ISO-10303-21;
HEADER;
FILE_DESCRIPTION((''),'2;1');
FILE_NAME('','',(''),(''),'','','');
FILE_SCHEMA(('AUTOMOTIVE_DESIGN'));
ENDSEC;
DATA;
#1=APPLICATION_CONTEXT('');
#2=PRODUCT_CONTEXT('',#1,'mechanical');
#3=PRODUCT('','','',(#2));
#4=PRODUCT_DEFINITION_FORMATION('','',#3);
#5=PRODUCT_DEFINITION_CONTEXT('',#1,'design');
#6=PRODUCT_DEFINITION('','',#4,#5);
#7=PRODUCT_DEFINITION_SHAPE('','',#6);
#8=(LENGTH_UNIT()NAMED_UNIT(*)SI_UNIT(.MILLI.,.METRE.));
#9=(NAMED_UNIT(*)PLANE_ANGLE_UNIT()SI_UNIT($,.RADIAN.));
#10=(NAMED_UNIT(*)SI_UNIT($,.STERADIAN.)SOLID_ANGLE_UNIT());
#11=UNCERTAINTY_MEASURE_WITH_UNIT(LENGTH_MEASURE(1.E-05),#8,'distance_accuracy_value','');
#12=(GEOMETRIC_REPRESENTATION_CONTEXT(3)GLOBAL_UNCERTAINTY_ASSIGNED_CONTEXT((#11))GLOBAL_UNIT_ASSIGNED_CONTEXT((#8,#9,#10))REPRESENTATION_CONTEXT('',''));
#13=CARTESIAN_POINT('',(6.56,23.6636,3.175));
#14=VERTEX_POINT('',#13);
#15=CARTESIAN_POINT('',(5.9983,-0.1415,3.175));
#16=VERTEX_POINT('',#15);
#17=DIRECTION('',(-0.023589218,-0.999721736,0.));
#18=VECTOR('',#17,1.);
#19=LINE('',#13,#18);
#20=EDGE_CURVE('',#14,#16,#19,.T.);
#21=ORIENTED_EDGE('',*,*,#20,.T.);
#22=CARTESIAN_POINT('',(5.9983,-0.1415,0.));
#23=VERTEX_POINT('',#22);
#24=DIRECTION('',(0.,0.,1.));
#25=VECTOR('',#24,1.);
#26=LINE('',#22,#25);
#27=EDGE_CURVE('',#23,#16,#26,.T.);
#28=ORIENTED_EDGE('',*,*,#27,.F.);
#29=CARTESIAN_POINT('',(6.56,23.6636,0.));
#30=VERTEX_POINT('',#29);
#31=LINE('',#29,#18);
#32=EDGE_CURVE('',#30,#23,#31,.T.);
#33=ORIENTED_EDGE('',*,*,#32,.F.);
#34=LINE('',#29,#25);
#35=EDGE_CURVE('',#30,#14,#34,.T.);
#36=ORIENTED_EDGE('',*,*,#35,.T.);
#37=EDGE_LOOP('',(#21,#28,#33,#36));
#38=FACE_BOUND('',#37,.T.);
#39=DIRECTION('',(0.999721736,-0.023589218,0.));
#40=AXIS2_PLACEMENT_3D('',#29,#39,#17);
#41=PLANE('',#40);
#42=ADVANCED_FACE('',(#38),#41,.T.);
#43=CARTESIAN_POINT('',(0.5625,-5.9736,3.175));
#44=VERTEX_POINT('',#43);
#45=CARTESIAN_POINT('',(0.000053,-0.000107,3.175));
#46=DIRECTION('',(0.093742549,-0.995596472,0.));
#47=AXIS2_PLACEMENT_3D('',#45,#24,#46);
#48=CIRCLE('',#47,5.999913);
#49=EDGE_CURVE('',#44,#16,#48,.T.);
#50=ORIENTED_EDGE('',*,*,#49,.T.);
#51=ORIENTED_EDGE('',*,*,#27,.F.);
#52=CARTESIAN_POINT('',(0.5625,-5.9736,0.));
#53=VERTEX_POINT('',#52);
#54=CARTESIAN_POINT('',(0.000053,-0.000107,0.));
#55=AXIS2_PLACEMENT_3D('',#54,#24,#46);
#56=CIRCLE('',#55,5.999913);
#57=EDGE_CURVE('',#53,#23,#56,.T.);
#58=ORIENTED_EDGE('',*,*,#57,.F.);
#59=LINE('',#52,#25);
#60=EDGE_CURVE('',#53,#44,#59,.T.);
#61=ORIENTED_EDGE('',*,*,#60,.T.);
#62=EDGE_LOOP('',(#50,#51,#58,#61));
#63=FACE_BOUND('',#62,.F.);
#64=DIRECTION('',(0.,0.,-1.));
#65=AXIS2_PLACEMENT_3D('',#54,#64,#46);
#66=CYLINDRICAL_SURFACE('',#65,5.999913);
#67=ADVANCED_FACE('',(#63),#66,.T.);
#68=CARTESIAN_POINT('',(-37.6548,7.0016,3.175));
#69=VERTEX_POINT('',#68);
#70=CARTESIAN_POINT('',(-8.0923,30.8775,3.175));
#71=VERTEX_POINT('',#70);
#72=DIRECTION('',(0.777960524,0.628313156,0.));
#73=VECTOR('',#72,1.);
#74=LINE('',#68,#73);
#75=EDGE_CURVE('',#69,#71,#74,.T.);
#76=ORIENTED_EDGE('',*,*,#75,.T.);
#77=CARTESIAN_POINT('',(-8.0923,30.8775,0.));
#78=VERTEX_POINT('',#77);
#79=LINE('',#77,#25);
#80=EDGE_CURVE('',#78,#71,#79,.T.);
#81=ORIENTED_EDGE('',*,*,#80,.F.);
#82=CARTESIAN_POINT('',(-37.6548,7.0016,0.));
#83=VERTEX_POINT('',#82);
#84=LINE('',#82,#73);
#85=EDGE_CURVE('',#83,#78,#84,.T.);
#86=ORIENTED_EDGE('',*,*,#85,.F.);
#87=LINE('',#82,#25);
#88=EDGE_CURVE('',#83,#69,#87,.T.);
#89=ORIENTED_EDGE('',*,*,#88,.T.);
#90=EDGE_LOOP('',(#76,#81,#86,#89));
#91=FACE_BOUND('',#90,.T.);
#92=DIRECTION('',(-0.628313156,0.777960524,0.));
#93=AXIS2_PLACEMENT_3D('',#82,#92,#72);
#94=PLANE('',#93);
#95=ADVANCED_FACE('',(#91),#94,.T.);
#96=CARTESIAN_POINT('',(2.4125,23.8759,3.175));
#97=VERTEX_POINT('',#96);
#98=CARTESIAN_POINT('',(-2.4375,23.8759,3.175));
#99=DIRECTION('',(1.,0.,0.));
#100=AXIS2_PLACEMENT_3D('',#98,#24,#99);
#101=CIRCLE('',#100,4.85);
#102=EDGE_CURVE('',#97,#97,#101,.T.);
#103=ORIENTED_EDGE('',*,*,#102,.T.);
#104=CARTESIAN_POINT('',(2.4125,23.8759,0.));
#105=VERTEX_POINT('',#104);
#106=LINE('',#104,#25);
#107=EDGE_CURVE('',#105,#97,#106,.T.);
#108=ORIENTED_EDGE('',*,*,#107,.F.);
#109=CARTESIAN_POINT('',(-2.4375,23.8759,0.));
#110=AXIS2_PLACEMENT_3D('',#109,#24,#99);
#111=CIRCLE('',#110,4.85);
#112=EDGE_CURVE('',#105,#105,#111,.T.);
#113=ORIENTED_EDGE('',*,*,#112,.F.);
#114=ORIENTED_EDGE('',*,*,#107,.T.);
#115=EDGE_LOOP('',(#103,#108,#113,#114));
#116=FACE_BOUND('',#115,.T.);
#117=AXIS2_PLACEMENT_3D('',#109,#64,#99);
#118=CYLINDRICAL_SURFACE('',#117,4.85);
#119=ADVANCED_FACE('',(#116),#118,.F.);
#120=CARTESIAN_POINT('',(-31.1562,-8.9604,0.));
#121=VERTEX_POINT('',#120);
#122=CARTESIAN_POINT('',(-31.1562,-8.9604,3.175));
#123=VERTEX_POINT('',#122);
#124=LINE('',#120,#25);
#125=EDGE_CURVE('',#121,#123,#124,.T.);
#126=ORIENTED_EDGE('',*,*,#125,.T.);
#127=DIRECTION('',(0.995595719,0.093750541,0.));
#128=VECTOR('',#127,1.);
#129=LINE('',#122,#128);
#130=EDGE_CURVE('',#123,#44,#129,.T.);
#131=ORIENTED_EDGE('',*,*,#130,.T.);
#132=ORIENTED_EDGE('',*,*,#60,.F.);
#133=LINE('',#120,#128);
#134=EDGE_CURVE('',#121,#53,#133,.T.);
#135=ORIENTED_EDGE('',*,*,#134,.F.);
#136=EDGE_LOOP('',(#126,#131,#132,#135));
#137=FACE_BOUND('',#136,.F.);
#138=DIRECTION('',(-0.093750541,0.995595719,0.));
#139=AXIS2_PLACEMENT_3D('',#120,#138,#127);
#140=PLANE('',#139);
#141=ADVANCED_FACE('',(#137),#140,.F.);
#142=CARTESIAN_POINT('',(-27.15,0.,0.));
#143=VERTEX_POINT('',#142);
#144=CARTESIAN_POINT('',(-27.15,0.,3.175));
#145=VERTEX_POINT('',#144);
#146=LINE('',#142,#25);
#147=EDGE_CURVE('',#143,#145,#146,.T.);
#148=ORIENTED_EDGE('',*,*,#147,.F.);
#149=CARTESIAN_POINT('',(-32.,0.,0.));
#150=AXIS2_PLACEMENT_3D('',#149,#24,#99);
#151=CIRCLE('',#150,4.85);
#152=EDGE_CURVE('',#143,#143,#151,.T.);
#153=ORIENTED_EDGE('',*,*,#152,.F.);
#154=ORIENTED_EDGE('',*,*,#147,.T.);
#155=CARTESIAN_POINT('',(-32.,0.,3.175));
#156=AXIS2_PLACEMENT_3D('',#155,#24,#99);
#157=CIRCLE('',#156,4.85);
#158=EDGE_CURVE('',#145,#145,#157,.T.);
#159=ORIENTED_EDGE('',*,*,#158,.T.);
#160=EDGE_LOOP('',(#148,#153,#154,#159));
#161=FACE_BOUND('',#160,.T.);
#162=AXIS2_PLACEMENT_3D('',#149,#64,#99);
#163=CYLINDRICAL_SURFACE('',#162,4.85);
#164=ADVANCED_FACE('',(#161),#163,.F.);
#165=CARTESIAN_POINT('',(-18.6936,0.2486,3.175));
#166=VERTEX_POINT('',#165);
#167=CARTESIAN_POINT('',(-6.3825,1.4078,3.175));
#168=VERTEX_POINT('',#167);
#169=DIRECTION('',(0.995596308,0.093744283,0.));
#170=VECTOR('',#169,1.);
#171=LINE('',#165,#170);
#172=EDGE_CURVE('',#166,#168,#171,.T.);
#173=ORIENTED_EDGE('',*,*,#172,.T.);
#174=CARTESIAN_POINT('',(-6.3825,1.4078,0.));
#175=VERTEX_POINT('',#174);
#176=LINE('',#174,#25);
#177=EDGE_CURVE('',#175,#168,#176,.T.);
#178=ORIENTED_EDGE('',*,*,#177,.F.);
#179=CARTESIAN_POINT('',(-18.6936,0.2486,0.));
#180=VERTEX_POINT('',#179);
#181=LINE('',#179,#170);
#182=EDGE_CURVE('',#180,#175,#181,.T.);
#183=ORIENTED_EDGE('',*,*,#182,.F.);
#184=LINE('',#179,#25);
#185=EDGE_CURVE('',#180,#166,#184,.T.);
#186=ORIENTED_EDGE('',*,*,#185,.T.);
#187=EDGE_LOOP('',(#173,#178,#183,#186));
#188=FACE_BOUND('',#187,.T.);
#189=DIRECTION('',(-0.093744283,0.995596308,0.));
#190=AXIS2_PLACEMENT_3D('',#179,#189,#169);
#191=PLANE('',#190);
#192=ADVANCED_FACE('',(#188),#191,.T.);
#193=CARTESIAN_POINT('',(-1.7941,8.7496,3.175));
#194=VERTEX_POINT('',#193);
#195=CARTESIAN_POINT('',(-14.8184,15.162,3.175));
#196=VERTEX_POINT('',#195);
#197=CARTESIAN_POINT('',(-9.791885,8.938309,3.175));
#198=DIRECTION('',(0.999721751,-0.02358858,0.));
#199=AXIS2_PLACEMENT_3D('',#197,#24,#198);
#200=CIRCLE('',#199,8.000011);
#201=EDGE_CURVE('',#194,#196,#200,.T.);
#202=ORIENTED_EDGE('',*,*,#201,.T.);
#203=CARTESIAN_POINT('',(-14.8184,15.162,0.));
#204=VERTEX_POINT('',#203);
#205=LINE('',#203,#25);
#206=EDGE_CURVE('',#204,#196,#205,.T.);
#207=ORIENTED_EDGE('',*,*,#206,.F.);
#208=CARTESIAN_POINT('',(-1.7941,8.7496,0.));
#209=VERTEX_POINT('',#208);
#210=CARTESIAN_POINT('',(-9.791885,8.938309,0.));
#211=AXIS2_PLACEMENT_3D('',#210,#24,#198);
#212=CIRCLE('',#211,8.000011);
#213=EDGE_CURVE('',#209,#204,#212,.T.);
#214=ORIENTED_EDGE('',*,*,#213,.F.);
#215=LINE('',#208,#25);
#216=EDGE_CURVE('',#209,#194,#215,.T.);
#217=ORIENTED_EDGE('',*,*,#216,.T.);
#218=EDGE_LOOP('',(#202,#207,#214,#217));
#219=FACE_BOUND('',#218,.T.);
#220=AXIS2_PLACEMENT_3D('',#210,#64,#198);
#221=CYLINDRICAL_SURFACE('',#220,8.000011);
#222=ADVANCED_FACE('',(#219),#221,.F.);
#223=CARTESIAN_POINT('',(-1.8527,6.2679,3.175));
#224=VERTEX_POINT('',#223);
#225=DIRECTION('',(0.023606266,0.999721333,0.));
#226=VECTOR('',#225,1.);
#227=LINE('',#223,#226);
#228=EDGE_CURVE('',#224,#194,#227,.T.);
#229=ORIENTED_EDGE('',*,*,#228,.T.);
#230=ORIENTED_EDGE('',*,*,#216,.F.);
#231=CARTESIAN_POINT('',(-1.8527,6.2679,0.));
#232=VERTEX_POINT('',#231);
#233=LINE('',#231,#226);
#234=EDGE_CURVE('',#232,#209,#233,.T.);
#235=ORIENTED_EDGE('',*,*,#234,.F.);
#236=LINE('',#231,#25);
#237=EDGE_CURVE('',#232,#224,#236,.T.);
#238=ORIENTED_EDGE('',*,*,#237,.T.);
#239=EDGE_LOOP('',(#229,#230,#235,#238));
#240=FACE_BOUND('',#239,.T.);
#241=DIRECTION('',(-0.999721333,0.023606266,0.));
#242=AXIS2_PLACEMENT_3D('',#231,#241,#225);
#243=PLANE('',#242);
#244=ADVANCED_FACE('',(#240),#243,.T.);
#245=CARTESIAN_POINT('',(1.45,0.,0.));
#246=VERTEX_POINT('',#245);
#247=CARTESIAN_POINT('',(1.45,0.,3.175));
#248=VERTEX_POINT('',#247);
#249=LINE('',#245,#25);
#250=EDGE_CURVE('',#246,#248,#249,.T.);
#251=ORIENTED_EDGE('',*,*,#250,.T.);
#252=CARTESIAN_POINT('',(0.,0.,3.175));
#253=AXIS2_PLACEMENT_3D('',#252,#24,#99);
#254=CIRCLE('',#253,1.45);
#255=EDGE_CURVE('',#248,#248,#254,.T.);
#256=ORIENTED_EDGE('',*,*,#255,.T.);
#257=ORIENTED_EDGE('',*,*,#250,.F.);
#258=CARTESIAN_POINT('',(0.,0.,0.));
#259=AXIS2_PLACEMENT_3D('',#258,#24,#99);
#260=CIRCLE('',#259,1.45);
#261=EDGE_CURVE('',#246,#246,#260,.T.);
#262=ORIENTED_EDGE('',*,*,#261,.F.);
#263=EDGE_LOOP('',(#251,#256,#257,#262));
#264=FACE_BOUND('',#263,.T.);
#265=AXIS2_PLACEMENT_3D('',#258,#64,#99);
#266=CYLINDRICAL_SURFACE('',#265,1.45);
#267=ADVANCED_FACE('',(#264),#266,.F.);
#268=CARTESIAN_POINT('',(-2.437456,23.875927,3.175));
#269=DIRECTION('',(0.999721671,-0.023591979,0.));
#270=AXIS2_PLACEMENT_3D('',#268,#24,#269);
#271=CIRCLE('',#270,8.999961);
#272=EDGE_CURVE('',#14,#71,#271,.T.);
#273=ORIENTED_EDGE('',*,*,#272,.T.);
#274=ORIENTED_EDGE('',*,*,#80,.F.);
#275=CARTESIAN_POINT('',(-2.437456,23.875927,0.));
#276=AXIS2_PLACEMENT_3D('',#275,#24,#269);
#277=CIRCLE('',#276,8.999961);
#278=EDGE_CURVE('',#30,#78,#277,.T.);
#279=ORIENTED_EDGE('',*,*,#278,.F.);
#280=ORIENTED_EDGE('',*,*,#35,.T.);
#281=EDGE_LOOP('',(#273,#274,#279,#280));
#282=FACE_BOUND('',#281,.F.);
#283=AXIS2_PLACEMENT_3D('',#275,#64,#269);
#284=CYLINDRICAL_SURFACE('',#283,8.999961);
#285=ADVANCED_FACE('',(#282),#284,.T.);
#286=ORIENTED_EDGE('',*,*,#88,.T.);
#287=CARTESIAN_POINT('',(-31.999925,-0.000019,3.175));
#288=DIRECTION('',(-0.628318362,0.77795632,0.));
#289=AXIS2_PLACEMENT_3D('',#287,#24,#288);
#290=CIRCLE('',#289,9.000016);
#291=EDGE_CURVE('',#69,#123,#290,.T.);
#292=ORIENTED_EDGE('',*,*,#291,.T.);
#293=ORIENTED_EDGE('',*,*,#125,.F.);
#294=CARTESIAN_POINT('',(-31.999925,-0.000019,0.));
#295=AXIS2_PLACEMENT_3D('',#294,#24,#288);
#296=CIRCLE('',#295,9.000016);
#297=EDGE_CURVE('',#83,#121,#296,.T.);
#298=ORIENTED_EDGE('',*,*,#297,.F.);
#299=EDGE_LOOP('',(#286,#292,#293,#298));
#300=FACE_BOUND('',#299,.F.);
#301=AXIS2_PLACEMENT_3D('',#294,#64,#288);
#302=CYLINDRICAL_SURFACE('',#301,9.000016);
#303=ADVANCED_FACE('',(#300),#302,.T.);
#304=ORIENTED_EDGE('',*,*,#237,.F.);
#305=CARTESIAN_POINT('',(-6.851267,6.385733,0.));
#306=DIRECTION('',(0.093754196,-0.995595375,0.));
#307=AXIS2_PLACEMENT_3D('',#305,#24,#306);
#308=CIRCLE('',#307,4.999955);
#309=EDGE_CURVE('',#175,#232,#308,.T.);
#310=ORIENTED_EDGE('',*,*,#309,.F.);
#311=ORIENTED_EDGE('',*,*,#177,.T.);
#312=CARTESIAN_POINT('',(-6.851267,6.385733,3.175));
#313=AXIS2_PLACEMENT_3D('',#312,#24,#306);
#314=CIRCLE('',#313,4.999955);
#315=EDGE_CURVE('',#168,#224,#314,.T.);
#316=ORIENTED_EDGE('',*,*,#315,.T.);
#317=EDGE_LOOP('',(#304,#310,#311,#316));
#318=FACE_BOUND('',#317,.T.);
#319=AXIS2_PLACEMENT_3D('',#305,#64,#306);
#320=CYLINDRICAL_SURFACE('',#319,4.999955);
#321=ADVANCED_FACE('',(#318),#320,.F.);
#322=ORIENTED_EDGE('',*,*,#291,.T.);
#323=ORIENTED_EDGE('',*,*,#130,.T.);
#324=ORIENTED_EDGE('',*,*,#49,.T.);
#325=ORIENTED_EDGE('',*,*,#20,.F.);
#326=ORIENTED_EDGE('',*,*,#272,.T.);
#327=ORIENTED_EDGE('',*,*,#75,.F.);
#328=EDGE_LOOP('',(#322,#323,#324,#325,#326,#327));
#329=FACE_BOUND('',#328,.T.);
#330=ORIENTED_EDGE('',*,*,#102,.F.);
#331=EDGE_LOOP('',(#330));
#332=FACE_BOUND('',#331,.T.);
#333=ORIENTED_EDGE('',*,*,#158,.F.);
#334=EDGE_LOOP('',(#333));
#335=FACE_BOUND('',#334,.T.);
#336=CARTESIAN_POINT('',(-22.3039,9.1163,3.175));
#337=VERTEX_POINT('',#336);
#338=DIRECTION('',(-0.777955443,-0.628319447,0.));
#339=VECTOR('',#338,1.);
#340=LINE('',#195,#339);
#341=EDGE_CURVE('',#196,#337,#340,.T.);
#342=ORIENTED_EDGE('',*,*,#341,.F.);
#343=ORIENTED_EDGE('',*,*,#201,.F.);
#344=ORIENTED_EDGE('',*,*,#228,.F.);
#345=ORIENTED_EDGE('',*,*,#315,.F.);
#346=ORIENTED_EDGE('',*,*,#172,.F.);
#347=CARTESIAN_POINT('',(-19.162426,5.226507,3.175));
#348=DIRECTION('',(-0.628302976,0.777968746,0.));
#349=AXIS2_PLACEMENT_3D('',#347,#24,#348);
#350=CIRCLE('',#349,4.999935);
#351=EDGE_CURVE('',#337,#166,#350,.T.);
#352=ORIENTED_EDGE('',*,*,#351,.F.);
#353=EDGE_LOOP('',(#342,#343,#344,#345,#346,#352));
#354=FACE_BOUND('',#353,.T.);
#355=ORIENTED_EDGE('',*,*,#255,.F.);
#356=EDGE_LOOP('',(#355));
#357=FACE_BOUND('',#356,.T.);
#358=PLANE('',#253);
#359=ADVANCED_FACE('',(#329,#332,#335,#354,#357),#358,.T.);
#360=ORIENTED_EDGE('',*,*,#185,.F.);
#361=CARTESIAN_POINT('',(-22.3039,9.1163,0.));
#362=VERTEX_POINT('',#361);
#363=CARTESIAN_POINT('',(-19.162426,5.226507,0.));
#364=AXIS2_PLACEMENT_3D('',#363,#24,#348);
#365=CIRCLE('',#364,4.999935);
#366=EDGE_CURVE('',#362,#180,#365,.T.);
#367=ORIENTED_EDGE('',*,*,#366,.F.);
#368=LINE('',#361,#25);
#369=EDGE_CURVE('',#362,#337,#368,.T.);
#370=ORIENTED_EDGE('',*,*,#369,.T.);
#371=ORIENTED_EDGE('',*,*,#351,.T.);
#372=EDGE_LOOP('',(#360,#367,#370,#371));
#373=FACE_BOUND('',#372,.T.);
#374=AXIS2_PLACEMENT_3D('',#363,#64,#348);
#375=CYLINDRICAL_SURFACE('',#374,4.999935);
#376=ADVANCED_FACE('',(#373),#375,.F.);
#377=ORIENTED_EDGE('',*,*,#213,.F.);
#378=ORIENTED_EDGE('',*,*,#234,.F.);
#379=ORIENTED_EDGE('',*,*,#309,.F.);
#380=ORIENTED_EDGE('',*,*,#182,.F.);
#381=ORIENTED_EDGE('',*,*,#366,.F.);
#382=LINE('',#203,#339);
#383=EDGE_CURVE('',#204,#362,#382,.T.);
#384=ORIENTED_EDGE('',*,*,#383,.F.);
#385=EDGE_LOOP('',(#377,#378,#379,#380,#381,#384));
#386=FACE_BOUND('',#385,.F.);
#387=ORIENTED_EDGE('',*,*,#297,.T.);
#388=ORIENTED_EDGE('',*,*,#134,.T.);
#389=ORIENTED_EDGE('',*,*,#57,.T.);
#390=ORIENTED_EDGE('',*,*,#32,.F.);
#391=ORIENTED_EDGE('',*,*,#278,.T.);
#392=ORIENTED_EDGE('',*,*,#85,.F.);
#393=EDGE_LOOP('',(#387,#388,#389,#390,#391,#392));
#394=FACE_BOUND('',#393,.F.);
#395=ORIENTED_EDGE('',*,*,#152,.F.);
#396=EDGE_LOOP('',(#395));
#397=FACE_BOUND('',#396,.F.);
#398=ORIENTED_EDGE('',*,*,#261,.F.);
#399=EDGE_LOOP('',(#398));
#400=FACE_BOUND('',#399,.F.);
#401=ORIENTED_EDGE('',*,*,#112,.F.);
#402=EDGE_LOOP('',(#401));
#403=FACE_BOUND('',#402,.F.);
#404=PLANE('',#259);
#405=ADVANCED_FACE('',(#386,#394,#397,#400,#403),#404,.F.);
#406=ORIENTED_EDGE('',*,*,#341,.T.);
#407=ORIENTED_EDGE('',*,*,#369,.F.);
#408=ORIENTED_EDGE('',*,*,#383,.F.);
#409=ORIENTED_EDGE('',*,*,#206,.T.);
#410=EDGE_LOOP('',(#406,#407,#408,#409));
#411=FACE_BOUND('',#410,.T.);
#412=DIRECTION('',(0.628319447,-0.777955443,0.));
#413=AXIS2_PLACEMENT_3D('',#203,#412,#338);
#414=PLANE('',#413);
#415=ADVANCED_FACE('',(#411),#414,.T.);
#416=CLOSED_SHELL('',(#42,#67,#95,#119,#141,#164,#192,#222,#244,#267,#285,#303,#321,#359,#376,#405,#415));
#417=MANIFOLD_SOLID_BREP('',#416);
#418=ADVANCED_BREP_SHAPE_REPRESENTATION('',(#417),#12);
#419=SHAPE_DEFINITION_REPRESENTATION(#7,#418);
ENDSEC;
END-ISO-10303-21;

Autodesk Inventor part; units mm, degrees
ref_plane "YZ Plane" through (0, 0, 0) normal (1, 0, 0) x (0, 1, 0)
ref_plane "XZ Plane" through (0, 0, 0) normal (0, 1, 0) x (-1, 0, 0)
ref_plane "XY Plane" through (0, 0, 0) normal (0, 0, 1) x (1, 0, 0)
sketch "Sketch1" plane through (0, 0, 0) normal (0, 0, 1) x (1, 0, 0)
  circle A0 centre (0, 0) radius 1.45
  arc A1 (-37.6548, 7.0016) -> (-31.1562, -8.9604) centre (-32, 0) ccw
  line L0 (-31.1562, -8.9604) -> (0.5625, -5.9736)
  circle A2 centre (-32, 0) radius 4.85
  line L1 (0, 0) -> (-32, 0) construction
  arc A3 (0.5625, -5.9736) -> (5.9983, -0.1415) centre (0, 0) ccw
  circle A4 centre (-2.4375, 23.8759) radius 4.85
  arc A5 (6.56, 23.6636) -> (-8.0923, 30.8775) centre (-2.4375, 23.8759) ccw
  line L2 (-37.6548, 7.0016) -> (-8.0923, 30.8775)
  line L3 (6.56, 23.6636) -> (5.9983, -0.1415)
  line L4 (-14.8184, 15.162) -> (-22.3039, 9.1163)
  line L5 (-18.6936, 0.2486) -> (-6.3825, 1.4078)
  line L6 (-1.8527, 6.2679) -> (-1.7941, 8.7496)
  arc A6 (-22.3039, 9.1163) -> (-18.6936, 0.2486) centre (-19.1624, 5.2265) ccw
  arc A7 (-1.7941, 8.7496) -> (-14.8184, 15.162) centre (-9.7919, 8.9383) ccw
  arc A8 (-6.3825, 1.4078) -> (-1.8527, 6.2679) centre (-6.8513, 6.3858) ccw
  dimension "d0" = 2.9
  dimension "d2" = 32
  dimension "d61" = 6
  dimension "d62" = 38
  dimension "d63" = 24
  dimension "d64" = 8
  dimension "d66" = 8
  dimension "d67" = 5
  dimension "d68" = 9.7
  dimension "d69" = 9
  dimension "d70" = 9.7
  dimension "d71" = 5
extrude "Extrusion1" add sketch "Sketch1" along normal blind 3.175
properties part number "tipper_link_B"
